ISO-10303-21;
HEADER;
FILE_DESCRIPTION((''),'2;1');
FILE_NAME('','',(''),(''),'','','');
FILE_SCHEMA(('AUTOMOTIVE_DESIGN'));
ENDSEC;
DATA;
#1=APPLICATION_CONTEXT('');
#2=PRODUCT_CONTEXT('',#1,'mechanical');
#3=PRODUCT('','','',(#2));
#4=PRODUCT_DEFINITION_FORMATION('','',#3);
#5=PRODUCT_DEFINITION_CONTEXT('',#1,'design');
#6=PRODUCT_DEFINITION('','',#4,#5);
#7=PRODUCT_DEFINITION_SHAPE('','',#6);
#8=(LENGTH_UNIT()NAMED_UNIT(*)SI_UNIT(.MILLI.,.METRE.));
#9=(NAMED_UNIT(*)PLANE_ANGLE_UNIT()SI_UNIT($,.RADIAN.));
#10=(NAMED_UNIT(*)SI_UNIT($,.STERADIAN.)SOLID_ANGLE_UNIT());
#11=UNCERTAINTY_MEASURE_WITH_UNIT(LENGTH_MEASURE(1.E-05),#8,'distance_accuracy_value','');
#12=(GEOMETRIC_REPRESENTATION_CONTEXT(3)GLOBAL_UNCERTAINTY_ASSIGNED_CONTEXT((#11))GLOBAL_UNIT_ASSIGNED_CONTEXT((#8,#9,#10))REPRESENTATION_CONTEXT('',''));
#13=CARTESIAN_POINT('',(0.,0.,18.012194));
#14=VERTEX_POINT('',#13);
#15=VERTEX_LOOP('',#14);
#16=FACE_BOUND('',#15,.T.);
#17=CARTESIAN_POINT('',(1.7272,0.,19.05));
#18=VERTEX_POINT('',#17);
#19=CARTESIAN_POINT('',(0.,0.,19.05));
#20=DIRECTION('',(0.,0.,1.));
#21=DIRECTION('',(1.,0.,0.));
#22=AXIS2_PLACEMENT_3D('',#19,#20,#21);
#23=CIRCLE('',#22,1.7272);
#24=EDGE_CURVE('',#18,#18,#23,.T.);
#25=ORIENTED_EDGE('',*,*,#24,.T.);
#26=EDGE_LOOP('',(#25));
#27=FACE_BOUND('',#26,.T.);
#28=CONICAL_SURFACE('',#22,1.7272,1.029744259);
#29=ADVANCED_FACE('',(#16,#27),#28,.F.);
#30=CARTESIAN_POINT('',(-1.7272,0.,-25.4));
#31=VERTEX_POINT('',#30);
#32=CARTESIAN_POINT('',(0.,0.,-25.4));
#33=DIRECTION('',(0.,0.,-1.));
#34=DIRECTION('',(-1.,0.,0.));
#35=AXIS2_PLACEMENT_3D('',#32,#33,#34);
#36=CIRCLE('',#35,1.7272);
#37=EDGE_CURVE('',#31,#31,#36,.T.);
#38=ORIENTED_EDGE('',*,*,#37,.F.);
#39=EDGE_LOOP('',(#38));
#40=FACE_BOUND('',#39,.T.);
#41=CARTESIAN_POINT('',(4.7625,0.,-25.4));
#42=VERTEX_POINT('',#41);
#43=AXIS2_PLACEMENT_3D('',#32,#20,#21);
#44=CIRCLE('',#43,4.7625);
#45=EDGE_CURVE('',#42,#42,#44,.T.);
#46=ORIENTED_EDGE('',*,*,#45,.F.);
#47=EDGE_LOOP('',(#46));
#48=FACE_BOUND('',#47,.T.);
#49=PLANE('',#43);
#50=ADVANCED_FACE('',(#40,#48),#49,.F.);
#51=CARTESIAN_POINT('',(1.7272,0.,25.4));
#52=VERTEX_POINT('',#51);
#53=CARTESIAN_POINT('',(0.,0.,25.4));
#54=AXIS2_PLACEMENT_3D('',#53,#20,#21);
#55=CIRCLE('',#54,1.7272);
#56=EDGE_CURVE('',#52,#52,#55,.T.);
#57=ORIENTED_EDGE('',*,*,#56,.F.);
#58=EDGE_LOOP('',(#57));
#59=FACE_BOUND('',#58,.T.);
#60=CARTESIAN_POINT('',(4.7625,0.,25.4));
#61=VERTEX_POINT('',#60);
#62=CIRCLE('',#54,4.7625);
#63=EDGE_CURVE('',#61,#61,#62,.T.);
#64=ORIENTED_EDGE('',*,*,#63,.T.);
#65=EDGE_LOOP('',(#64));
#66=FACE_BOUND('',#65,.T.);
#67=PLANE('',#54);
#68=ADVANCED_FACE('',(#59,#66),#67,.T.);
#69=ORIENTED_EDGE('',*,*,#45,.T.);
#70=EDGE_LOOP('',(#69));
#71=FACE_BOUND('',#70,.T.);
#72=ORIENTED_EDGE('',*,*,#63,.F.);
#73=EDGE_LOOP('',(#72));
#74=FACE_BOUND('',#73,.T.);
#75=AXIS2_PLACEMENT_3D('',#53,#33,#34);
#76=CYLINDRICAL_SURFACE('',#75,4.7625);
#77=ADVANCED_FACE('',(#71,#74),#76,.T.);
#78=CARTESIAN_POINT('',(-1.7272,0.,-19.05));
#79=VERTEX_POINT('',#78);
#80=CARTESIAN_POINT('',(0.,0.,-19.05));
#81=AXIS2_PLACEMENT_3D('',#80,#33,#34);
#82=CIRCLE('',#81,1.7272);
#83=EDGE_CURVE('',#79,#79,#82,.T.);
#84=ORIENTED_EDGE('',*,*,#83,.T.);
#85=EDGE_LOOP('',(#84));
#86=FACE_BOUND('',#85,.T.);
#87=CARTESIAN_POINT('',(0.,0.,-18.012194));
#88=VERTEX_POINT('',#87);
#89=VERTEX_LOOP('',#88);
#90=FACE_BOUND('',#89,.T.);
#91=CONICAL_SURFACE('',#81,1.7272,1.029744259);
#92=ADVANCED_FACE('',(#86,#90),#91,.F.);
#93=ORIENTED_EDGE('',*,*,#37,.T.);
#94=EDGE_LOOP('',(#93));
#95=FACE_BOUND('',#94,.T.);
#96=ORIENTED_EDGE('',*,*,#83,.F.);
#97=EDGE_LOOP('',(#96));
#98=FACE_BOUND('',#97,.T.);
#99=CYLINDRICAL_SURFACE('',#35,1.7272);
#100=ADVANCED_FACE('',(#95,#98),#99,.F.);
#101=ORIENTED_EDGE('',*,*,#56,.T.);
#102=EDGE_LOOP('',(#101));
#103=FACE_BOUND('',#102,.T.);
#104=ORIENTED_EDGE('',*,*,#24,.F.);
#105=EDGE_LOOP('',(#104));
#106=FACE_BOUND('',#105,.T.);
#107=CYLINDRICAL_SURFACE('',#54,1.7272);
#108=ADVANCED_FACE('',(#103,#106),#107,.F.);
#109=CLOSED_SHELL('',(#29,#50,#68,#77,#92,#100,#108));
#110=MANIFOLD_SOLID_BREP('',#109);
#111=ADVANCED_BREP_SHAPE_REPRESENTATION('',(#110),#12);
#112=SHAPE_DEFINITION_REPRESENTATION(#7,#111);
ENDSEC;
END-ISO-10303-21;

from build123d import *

# Parameters (mm, degrees)
SKETCH1_R                               = 4.7625
BOSS_EXTRUDE1_DEPTH                     = 25.4
TAP_DRILL_FOR_8_32_TAP1_D               = 3.4544
TAP_DRILL_FOR_8_32_TAP1_DEPTH           = 6.35
TAP_DRILL_FOR_8_32_TAP1_TIP             = 1.037806461
TAP_DRILL_FOR_8_32_TAP1_ON_FACE_2_D     = 3.4544
TAP_DRILL_FOR_8_32_TAP1_ON_FACE_2_DEPTH = 6.35
TAP_DRILL_FOR_8_32_TAP1_ON_FACE_2_TIP   = 1.037806461


with BuildPart() as part:
    # Sketch1 → Boss-Extrude1 (new, symmetric)
    with BuildSketch(Plane.XY):
        Circle(SKETCH1_R)
    extrude(amount=BOSS_EXTRUDE1_DEPTH, both=True)

    # Tap Drill for #8-32 Tap1
    with Locations(Plane.XY.offset(25.4)):
        with Locations((0, 0)):
            Hole(TAP_DRILL_FOR_8_32_TAP1_D / 2, depth=TAP_DRILL_FOR_8_32_TAP1_DEPTH)
            with Locations((0, 0, -(TAP_DRILL_FOR_8_32_TAP1_DEPTH + TAP_DRILL_FOR_8_32_TAP1_TIP / 2))):  # 118° drill point
                Cone(0, TAP_DRILL_FOR_8_32_TAP1_D / 2, TAP_DRILL_FOR_8_32_TAP1_TIP, mode=Mode.SUBTRACT)

    # Tap Drill for #8-32 Tap1 on face 2
    with Locations(Plane(origin=(0, 0, -25.4), x_dir=(-1, 0, 0), z_dir=(0, 0, -1))):
        with Locations((0, 0)):
            Hole(TAP_DRILL_FOR_8_32_TAP1_ON_FACE_2_D / 2, depth=TAP_DRILL_FOR_8_32_TAP1_ON_FACE_2_DEPTH)
            with Locations((0, 0, -(TAP_DRILL_FOR_8_32_TAP1_ON_FACE_2_DEPTH + TAP_DRILL_FOR_8_32_TAP1_ON_FACE_2_TIP / 2))):  # 118° drill point
                Cone(0, TAP_DRILL_FOR_8_32_TAP1_ON_FACE_2_D / 2, TAP_DRILL_FOR_8_32_TAP1_ON_FACE_2_TIP, mode=Mode.SUBTRACT)


solid = part.part
